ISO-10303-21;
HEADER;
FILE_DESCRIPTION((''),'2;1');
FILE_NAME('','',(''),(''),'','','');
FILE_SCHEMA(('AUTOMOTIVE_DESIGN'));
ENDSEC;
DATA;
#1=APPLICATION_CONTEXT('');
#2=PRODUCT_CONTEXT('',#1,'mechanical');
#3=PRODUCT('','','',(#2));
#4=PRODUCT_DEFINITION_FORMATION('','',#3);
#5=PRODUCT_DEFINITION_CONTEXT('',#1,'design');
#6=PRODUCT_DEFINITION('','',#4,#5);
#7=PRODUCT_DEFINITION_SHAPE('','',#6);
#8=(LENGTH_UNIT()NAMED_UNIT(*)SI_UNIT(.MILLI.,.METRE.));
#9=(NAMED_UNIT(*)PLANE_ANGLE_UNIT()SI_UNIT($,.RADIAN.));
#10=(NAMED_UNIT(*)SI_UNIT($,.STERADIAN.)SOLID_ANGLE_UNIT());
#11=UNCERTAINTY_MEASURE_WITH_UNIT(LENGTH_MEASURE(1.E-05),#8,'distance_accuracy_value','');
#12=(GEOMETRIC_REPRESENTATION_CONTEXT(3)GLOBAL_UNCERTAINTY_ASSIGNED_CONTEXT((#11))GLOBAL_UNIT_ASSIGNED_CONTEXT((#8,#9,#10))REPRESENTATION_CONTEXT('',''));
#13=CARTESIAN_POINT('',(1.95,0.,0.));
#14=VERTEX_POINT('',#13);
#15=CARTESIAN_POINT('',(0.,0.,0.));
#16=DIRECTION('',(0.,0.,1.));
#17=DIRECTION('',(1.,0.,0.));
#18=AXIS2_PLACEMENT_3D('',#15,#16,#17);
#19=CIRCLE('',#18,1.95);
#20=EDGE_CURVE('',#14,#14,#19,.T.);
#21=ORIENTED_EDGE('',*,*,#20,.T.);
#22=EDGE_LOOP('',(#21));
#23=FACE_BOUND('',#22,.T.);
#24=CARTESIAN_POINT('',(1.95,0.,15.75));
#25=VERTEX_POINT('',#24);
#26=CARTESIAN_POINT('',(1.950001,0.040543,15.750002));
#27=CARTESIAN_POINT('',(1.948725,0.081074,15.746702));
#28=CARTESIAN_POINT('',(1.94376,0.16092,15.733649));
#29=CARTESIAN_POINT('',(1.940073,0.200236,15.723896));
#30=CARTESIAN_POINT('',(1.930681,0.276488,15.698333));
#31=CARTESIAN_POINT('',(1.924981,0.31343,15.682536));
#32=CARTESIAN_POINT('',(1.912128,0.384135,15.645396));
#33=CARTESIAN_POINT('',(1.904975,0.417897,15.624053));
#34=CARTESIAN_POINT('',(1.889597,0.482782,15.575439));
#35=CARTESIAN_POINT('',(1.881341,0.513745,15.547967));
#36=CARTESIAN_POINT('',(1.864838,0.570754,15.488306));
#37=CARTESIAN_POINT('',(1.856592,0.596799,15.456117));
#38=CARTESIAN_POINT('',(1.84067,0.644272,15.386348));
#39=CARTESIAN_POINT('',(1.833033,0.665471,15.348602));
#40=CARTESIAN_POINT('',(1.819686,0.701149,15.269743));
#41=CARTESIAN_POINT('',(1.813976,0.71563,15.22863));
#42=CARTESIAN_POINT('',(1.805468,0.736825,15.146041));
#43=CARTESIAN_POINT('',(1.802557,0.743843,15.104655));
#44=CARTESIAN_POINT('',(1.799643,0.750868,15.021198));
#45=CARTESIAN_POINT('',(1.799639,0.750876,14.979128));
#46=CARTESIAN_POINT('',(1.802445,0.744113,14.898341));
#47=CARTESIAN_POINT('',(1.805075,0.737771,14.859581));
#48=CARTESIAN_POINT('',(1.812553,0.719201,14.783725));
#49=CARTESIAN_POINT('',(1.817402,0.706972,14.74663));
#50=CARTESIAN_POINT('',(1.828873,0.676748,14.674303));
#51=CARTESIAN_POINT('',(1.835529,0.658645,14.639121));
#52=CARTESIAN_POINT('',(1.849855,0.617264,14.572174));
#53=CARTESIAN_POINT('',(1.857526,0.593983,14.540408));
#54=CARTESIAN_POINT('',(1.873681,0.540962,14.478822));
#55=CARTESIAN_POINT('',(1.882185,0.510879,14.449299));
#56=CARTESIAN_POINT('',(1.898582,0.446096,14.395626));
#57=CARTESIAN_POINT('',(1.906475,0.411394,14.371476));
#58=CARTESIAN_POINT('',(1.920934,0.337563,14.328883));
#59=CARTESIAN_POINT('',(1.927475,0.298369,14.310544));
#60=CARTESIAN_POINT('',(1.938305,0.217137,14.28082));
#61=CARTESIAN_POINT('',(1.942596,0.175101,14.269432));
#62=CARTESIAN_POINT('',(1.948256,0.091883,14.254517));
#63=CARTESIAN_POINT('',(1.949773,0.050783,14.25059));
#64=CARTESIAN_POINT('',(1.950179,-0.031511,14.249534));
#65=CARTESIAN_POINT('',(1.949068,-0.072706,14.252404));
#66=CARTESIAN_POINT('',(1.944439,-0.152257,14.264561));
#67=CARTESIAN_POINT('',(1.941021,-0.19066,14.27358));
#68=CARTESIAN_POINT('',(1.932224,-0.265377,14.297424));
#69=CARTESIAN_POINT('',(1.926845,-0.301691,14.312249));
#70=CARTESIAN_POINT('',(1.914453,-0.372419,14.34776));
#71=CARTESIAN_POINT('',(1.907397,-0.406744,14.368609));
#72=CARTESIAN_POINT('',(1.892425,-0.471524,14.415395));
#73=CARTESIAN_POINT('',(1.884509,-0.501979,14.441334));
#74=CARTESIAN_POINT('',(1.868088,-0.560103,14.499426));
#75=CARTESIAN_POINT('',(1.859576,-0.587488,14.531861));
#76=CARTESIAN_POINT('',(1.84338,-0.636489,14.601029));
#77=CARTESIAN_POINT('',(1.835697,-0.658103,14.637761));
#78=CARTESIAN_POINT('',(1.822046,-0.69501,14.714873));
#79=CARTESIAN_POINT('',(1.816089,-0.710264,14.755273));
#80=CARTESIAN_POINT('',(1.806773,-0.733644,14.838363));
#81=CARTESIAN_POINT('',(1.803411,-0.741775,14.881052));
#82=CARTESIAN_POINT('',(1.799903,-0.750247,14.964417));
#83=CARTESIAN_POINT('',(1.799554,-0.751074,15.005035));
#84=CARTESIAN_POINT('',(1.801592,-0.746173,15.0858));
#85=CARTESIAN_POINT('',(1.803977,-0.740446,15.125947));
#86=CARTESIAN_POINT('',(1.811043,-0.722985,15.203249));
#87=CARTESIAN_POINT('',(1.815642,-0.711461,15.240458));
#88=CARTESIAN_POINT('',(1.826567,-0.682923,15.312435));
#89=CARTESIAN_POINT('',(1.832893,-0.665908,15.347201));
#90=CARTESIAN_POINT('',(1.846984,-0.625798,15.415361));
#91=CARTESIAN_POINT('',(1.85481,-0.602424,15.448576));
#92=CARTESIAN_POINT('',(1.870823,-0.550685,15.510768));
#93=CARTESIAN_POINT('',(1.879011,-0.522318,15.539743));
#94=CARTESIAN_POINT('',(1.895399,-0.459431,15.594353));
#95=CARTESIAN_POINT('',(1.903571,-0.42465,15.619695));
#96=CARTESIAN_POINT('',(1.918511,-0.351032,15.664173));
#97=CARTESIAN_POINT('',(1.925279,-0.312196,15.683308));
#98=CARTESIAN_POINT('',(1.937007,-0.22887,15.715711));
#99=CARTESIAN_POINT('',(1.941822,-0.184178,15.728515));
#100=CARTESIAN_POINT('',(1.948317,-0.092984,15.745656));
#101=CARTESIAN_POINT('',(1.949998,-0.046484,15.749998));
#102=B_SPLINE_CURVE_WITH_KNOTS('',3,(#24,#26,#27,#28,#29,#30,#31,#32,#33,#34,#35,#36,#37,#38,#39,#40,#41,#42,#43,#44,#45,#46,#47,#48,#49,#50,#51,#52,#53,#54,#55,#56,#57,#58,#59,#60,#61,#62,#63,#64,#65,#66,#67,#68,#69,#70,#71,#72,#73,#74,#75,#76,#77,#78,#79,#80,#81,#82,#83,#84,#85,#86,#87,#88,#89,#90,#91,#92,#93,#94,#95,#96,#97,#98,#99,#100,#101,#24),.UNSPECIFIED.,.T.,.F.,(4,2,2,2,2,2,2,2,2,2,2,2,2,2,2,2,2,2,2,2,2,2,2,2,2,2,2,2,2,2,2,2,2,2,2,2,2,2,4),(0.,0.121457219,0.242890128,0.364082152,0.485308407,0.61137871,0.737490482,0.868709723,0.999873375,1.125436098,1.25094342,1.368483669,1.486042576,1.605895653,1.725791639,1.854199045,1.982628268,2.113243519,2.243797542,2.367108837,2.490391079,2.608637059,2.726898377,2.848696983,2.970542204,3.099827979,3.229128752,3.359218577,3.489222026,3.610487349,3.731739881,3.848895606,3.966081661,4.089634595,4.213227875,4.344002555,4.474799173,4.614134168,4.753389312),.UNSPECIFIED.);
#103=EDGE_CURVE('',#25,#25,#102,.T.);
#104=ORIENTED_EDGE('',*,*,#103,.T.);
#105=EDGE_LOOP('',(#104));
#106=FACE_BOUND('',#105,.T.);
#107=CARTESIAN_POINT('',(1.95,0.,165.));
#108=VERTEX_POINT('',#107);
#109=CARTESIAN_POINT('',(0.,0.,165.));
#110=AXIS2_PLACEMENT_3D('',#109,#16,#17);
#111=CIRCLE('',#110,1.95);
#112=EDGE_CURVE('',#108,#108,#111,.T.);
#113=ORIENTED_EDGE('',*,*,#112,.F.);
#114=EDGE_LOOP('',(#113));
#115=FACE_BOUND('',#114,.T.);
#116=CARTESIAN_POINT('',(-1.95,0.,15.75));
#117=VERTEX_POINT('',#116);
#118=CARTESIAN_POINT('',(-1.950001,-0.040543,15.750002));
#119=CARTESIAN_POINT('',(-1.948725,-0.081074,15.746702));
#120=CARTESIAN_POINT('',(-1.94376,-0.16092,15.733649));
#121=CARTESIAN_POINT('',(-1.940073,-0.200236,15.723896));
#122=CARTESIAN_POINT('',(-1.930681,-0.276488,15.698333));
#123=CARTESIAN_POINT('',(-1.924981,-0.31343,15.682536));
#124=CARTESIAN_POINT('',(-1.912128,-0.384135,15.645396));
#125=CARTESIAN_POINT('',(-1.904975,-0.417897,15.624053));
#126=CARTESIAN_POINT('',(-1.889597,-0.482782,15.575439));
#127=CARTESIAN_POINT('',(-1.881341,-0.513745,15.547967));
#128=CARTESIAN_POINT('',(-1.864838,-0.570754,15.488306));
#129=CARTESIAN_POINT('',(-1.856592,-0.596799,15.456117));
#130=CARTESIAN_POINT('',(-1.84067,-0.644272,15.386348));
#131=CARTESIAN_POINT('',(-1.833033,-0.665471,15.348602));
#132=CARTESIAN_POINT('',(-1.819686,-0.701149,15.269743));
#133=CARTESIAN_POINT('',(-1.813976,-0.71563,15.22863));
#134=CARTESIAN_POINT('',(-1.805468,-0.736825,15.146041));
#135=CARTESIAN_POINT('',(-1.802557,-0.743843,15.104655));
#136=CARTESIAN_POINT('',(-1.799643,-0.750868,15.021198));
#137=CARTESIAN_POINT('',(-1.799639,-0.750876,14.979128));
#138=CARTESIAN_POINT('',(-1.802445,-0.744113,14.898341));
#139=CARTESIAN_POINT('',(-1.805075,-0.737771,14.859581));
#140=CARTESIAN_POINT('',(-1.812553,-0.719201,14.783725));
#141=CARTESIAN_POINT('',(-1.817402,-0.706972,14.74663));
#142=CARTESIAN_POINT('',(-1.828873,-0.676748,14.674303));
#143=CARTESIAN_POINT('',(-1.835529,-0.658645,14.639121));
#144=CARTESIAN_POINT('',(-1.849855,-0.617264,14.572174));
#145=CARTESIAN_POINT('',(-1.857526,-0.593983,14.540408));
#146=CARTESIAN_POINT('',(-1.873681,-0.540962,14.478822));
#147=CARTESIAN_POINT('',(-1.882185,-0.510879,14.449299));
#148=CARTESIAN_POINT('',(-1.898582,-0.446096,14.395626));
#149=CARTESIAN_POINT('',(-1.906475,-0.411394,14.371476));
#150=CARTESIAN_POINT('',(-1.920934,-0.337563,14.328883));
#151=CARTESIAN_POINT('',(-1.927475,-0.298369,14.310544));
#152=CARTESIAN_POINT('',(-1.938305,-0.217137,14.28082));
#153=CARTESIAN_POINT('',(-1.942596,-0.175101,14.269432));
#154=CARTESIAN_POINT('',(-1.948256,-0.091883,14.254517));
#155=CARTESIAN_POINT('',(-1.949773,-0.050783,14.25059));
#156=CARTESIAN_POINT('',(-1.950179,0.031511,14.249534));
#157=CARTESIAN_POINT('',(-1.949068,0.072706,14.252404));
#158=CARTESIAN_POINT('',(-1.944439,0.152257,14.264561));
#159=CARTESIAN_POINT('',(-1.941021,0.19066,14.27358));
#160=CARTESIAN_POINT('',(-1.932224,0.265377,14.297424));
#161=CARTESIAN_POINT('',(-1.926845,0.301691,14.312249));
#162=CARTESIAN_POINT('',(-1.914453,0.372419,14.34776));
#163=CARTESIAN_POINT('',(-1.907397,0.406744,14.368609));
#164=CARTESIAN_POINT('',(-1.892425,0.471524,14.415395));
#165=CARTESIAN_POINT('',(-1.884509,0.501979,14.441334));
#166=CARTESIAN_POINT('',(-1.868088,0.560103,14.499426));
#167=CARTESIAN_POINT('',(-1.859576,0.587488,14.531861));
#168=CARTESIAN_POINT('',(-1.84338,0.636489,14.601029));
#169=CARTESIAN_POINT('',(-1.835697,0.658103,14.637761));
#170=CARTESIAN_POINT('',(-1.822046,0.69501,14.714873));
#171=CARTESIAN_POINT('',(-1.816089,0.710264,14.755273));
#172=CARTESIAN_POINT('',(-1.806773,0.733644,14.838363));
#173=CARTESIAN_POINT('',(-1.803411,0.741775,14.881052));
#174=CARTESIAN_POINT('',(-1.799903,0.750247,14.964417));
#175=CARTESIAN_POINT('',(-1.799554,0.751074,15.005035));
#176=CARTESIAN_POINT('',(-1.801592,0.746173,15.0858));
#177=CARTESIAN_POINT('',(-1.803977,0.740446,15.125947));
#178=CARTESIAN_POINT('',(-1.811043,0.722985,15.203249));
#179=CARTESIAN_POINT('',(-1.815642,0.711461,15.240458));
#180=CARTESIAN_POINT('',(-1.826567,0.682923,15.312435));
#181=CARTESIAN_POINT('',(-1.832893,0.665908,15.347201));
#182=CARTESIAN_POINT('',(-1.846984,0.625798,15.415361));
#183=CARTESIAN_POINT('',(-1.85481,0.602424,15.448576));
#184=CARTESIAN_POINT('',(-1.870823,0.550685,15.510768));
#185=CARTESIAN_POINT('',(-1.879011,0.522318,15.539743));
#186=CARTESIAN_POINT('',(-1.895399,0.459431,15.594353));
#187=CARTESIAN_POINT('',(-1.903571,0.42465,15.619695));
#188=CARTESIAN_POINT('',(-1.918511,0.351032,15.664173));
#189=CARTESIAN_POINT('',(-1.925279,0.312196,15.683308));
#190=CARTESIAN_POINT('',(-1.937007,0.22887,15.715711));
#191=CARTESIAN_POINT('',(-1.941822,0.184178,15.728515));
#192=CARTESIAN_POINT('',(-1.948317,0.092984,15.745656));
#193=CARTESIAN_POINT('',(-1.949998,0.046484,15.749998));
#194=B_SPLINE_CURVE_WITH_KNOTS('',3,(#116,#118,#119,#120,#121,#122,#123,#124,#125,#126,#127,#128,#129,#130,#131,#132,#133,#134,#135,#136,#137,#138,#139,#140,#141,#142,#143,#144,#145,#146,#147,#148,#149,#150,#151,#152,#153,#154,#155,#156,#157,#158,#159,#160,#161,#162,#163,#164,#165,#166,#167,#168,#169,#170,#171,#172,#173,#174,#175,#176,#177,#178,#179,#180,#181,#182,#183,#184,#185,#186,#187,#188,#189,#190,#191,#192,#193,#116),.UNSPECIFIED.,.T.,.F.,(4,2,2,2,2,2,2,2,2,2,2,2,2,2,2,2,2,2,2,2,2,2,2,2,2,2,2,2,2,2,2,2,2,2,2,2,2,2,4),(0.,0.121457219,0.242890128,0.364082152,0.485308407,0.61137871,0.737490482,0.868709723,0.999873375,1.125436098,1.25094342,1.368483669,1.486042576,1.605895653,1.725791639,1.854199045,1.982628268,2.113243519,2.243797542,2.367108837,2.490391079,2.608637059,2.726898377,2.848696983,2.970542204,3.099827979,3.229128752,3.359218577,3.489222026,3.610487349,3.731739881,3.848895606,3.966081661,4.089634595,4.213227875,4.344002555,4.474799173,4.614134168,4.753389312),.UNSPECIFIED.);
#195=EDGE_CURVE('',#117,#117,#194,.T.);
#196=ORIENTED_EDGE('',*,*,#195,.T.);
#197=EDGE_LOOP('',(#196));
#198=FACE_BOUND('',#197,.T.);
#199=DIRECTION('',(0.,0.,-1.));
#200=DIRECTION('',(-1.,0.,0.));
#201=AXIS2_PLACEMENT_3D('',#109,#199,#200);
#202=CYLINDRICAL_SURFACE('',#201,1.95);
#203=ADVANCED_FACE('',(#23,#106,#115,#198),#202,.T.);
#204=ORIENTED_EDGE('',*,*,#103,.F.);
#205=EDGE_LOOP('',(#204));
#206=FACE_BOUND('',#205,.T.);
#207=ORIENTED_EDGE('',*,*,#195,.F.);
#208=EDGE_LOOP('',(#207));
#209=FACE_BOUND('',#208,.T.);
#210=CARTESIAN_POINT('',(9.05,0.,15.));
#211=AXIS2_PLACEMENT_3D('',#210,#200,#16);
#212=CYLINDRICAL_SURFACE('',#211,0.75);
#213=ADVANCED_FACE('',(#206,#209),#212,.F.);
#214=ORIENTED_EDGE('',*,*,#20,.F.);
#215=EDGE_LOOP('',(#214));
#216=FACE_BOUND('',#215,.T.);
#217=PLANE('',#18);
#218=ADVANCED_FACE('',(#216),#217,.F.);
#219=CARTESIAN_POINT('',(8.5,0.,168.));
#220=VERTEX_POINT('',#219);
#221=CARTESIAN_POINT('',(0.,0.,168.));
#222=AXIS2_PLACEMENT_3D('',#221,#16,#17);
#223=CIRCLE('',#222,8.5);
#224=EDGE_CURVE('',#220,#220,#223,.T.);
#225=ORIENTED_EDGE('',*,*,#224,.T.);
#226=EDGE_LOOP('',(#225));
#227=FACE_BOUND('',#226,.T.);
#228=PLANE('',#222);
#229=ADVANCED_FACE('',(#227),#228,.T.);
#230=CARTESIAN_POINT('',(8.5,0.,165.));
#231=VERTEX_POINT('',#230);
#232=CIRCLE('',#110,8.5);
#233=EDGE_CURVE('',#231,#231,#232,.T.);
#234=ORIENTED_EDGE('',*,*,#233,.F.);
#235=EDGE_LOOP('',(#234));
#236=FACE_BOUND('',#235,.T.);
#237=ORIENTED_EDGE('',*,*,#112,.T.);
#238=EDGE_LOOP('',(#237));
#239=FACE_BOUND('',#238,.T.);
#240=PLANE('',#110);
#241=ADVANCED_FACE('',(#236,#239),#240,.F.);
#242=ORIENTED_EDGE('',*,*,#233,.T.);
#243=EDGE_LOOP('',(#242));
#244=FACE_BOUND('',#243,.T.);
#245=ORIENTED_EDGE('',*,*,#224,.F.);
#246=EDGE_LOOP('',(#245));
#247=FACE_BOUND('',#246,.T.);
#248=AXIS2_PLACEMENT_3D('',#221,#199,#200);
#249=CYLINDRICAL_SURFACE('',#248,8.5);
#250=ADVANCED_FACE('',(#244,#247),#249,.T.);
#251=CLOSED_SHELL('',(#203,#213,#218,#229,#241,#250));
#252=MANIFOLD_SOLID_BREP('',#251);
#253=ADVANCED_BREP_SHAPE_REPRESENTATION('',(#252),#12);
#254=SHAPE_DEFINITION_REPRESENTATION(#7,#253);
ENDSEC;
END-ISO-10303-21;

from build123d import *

# Parameters (mm, degrees)
SZKIC1_R                    = 1.95
DODANIE_WYCI_GNI_CIE1_DEPTH = 165
SZKIC2_R                    = 8.5
DODANIE_WYCI_GNI_CIE2_DEPTH = 3
SZKIC6_R                    = 0.75
WYTNIJ_WYCI_GNI_CIE2_DEPTH  = 11


with BuildPart() as part:
    # Szkic1 → Dodanie-wyciągnięcie1 (new body)
    with BuildSketch(Plane.XY):
        Circle(SZKIC1_R)
    extrude(amount=DODANIE_WYCI_GNI_CIE1_DEPTH)

    # Szkic2 → Dodanie-wyciągnięcie2 (add)
    with BuildSketch(Plane.XY.offset(165)):
        Circle(SZKIC2_R)
    extrude(amount=DODANIE_WYCI_GNI_CIE2_DEPTH)

    # Szkic6 → Wytnij-wyciągnięcie2 (cut)
    with BuildSketch(Plane.ZY.offset(1.95)):
        with Locations((15, 0)):
            Circle(SZKIC6_R)
    extrude(amount=-WYTNIJ_WYCI_GNI_CIE2_DEPTH, mode=Mode.SUBTRACT)


solid = part.part
